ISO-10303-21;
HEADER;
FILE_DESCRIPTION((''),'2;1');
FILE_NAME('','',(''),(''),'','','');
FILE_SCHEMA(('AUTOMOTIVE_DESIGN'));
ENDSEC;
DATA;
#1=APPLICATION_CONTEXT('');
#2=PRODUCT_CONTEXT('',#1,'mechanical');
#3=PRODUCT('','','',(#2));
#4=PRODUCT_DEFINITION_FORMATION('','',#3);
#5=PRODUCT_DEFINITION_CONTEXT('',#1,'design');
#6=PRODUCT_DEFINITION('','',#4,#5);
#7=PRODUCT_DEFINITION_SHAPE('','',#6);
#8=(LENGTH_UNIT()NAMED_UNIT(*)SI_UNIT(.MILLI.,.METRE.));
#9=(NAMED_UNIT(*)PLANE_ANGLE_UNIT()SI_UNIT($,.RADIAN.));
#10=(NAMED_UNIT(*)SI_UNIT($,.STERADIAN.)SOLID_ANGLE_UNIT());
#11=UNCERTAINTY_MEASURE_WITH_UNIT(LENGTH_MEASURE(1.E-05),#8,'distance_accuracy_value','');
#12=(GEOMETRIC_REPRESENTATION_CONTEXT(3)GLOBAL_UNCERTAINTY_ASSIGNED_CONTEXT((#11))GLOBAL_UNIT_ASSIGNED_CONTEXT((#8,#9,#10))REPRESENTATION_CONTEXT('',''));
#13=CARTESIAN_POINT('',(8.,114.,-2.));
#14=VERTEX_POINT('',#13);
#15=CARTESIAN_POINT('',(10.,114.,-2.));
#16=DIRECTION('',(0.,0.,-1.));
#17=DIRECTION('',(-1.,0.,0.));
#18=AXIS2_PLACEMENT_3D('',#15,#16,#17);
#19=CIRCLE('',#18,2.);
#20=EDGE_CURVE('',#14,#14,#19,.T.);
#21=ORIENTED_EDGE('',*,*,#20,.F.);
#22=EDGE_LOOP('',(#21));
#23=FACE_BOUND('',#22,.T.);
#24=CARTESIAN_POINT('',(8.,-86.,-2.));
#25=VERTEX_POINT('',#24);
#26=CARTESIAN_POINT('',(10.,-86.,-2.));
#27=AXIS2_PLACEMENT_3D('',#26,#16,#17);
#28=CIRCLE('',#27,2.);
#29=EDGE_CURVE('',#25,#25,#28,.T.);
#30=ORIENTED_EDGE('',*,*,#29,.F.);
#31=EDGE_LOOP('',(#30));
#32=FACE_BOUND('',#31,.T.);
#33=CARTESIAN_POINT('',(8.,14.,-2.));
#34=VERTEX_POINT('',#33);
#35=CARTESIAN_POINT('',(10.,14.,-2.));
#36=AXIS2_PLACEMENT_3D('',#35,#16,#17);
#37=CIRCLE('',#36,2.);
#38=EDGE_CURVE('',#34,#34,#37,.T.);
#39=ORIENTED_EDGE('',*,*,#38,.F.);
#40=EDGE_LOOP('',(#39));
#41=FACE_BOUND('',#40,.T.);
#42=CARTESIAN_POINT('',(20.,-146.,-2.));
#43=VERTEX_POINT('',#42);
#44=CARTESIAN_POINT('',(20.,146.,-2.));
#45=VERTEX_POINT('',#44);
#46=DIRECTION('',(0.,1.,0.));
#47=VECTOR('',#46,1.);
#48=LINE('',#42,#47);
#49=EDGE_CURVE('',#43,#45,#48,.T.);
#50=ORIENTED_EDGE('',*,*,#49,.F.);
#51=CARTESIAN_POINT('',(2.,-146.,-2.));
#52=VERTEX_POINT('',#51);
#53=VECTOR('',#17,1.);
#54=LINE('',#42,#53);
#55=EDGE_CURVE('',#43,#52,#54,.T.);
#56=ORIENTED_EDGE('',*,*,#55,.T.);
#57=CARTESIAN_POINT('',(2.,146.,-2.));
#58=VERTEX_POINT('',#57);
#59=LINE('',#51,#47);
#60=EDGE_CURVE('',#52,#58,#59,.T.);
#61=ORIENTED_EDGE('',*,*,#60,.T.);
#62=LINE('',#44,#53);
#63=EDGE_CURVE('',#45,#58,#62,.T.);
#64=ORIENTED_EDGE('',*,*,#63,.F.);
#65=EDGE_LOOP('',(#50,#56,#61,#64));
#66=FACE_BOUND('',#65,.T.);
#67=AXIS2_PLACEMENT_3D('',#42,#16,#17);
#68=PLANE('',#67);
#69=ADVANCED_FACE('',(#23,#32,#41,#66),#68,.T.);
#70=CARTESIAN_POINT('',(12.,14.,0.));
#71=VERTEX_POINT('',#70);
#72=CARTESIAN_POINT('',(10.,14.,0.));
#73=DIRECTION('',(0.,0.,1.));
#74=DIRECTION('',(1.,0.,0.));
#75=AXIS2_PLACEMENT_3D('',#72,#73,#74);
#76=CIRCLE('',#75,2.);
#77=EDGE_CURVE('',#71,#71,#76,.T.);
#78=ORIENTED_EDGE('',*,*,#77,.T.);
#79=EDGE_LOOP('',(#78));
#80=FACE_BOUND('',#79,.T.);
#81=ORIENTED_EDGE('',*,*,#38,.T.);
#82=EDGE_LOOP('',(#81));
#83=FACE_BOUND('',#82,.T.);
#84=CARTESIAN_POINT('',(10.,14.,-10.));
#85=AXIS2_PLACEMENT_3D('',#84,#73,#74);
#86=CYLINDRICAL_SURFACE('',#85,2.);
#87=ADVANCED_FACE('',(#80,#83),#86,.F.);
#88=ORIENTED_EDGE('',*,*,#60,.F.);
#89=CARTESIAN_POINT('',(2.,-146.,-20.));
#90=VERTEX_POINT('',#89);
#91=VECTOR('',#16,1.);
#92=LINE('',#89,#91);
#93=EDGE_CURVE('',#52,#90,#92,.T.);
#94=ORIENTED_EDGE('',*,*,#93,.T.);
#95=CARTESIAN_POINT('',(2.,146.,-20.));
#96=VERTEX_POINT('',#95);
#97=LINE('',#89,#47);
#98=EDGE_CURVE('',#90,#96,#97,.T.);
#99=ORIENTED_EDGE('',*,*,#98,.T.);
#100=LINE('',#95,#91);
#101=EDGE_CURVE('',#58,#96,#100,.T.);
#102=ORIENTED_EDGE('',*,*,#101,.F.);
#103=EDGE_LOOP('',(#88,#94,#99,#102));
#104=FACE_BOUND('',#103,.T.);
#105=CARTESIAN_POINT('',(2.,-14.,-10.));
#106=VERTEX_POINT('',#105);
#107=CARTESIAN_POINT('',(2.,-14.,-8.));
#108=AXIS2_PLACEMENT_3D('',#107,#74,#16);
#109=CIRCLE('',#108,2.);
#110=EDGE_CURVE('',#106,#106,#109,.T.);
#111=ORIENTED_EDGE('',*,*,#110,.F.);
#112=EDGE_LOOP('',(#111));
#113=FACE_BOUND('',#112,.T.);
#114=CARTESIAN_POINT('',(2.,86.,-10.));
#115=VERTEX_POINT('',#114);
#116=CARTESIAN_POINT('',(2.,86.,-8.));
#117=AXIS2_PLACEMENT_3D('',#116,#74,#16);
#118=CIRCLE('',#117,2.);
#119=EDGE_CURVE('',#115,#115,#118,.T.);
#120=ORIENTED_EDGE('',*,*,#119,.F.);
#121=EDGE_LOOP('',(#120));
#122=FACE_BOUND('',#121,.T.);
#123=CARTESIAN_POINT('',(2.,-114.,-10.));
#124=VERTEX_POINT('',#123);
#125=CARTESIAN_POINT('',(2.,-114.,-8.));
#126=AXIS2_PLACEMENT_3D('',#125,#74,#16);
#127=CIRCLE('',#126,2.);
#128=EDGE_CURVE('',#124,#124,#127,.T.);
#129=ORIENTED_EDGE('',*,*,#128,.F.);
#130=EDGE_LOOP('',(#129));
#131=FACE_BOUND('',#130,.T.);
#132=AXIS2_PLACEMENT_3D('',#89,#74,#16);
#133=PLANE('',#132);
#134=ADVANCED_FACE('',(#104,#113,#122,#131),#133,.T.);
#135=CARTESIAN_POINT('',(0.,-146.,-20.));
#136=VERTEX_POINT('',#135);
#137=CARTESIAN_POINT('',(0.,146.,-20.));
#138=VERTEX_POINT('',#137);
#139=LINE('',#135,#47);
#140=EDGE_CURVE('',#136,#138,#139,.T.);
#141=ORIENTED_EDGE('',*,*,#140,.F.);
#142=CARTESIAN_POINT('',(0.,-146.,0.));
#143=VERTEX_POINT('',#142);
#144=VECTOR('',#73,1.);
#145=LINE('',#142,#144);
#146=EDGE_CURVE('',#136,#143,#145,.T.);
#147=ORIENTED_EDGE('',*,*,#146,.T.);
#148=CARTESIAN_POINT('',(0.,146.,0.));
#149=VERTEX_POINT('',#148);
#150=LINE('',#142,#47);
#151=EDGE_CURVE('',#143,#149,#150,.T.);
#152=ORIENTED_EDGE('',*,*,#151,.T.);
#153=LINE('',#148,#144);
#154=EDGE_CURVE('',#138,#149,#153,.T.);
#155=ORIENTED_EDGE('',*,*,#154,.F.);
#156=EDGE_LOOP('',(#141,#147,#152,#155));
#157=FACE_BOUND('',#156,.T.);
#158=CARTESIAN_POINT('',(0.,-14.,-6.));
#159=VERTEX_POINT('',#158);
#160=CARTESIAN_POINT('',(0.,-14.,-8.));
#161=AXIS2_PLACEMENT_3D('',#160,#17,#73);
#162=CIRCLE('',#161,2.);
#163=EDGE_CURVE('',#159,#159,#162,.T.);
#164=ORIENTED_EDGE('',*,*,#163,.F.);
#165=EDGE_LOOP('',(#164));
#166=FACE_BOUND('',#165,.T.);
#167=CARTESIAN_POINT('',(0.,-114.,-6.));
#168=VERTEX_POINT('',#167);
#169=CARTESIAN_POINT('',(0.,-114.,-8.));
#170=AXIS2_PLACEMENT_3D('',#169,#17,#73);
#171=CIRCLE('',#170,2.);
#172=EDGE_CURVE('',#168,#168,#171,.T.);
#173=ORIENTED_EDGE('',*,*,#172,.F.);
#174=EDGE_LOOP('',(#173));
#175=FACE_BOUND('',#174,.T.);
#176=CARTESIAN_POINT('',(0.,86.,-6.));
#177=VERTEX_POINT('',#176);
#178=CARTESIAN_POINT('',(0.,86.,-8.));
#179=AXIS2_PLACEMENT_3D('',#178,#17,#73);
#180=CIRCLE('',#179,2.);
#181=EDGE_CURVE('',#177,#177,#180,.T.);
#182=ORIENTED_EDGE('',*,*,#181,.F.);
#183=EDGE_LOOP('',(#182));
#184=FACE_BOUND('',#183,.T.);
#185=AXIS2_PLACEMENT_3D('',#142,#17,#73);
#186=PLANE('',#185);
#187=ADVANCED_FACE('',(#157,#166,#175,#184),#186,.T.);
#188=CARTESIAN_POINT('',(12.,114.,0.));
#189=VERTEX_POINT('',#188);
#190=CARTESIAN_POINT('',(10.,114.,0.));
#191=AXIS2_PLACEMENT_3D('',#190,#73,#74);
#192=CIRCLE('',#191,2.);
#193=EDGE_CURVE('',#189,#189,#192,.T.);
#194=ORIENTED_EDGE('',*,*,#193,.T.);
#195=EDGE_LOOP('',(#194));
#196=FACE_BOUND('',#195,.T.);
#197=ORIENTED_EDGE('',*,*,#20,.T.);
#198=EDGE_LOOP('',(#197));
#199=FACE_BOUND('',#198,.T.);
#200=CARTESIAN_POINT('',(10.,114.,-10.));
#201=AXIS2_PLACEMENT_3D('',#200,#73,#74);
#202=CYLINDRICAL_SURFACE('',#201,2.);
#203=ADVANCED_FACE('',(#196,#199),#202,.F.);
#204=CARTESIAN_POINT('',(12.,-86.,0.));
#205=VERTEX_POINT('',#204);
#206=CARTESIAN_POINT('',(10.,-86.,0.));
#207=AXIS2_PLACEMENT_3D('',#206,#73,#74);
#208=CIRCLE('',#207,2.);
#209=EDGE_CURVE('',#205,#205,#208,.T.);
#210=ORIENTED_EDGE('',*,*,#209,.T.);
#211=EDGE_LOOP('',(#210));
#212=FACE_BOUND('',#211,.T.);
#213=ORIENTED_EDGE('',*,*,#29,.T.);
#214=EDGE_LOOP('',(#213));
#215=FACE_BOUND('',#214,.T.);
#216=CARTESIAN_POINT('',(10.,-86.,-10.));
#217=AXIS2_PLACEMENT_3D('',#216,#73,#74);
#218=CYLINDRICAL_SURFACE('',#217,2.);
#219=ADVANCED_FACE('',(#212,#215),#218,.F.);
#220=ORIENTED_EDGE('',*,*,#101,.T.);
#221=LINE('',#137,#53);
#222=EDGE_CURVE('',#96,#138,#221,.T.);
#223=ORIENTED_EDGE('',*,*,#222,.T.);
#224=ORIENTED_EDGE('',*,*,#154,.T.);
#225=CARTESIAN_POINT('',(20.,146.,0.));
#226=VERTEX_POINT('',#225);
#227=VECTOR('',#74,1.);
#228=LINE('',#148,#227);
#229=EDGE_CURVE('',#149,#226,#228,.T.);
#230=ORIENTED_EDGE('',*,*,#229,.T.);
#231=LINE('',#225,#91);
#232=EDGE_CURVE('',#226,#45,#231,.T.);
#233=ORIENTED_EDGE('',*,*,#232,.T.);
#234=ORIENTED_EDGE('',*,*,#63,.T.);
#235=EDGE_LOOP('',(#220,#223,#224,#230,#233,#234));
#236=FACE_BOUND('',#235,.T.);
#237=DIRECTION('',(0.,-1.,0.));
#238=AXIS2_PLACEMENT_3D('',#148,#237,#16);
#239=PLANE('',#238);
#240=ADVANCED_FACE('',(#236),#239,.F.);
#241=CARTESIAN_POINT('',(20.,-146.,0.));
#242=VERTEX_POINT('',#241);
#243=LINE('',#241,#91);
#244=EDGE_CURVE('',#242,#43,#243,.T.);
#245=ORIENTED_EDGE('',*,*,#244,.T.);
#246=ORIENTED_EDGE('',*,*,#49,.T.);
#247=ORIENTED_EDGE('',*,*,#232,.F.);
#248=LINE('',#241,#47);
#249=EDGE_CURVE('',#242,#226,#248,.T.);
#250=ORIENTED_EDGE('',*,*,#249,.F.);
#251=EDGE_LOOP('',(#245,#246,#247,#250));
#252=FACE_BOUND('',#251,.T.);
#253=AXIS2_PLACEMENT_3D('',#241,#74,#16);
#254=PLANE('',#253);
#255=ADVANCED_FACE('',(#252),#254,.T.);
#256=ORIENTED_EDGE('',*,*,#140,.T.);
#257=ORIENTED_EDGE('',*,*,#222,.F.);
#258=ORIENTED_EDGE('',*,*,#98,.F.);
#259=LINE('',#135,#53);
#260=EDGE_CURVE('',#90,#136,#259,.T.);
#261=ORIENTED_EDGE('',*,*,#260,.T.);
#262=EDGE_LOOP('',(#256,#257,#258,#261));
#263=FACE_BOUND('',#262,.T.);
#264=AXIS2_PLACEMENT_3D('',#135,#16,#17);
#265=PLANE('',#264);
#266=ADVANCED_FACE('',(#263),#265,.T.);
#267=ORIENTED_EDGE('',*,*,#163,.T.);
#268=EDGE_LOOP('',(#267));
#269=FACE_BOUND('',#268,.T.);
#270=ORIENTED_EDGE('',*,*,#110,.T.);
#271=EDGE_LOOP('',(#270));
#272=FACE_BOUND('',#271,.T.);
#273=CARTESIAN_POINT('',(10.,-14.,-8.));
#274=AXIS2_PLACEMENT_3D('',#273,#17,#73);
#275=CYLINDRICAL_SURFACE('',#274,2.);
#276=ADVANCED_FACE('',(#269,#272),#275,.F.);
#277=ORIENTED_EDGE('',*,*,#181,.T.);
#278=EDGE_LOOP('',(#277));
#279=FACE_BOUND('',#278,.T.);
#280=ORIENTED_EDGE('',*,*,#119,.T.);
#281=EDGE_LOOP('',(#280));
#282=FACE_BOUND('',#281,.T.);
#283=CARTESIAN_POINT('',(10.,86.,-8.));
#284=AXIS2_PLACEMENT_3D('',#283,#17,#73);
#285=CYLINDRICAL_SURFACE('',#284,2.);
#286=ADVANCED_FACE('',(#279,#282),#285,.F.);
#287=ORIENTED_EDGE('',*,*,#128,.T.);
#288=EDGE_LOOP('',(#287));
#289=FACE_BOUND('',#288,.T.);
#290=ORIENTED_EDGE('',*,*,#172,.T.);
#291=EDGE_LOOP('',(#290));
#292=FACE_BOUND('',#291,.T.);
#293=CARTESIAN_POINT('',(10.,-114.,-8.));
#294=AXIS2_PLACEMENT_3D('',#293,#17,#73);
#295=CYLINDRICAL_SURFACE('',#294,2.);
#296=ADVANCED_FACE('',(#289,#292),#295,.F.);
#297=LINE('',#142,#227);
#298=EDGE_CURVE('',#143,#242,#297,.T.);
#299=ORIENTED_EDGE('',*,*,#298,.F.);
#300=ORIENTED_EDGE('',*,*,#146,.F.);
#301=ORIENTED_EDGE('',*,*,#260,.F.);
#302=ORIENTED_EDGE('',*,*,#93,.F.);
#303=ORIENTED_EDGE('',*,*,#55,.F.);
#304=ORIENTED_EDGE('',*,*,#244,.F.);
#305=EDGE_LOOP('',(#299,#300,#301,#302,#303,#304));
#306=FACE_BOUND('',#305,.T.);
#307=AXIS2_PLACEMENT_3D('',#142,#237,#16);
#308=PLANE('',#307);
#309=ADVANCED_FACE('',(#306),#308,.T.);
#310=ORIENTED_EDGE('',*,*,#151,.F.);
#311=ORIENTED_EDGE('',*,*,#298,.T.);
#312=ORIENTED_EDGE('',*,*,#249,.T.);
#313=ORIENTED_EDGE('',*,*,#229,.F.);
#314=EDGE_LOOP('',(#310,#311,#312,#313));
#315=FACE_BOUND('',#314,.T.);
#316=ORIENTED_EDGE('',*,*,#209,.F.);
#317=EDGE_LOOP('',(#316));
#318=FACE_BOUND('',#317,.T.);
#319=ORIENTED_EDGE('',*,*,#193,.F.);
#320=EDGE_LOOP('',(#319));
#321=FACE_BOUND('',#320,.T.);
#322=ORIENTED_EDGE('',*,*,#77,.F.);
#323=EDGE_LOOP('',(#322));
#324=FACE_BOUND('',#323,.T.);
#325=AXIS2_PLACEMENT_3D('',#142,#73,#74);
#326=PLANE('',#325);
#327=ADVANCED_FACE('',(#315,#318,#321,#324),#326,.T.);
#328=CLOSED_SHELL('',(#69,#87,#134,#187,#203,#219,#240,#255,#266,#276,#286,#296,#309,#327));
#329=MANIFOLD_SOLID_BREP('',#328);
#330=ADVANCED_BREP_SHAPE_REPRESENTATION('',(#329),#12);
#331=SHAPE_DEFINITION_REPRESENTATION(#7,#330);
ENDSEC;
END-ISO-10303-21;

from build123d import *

# Parameters (mm, degrees)
BOSS_EXTRUDE1_DEPTH      = 146
BOSS_EXTRUDE1_DEPTH_BACK = 146
SKETCH2_R                = 2
CUT_EXTRUDE1_DEPTH       = 10
SKETCH3_R                = 2
CUT_EXTRUDE2_DEPTH       = 10


with BuildPart() as part:
    # Sketch1 → Boss-Extrude1 (new, two sides: drawn at the far end of the back side and taken through both)
    with BuildSketch(Plane(origin=(0, 0, 0), x_dir=(1, 0, 0), z_dir=(0, 1, 0)).offset(-BOSS_EXTRUDE1_DEPTH_BACK)):
        Polygon((0, 0), (20, 0), (20, 2), (2, 2), (2, 20), (0, 20), align=None)
    extrude(amount=BOSS_EXTRUDE1_DEPTH + BOSS_EXTRUDE1_DEPTH_BACK)

    # Sketch2 → Cut-Extrude1 (cut)
    with BuildSketch(Plane.XY):
        with Locations((10, 114)):
            Circle(SKETCH2_R)
        with Locations((10, 14)):
            Circle(SKETCH2_R)
        with Locations((10, -86)):
            Circle(SKETCH2_R)
    extrude(amount=-CUT_EXTRUDE1_DEPTH, mode=Mode.SUBTRACT)

    # Sketch3 → Cut-Extrude2 (cut)
    with BuildSketch(Plane.ZY):
        with Locations((-8, -114)):
            Circle(SKETCH3_R)
        with Locations((-8, -14)):
            Circle(SKETCH3_R)
        with Locations((-8, 86)):
            Circle(SKETCH3_R)
    extrude(amount=-CUT_EXTRUDE2_DEPTH, mode=Mode.SUBTRACT)


solid = part.part
